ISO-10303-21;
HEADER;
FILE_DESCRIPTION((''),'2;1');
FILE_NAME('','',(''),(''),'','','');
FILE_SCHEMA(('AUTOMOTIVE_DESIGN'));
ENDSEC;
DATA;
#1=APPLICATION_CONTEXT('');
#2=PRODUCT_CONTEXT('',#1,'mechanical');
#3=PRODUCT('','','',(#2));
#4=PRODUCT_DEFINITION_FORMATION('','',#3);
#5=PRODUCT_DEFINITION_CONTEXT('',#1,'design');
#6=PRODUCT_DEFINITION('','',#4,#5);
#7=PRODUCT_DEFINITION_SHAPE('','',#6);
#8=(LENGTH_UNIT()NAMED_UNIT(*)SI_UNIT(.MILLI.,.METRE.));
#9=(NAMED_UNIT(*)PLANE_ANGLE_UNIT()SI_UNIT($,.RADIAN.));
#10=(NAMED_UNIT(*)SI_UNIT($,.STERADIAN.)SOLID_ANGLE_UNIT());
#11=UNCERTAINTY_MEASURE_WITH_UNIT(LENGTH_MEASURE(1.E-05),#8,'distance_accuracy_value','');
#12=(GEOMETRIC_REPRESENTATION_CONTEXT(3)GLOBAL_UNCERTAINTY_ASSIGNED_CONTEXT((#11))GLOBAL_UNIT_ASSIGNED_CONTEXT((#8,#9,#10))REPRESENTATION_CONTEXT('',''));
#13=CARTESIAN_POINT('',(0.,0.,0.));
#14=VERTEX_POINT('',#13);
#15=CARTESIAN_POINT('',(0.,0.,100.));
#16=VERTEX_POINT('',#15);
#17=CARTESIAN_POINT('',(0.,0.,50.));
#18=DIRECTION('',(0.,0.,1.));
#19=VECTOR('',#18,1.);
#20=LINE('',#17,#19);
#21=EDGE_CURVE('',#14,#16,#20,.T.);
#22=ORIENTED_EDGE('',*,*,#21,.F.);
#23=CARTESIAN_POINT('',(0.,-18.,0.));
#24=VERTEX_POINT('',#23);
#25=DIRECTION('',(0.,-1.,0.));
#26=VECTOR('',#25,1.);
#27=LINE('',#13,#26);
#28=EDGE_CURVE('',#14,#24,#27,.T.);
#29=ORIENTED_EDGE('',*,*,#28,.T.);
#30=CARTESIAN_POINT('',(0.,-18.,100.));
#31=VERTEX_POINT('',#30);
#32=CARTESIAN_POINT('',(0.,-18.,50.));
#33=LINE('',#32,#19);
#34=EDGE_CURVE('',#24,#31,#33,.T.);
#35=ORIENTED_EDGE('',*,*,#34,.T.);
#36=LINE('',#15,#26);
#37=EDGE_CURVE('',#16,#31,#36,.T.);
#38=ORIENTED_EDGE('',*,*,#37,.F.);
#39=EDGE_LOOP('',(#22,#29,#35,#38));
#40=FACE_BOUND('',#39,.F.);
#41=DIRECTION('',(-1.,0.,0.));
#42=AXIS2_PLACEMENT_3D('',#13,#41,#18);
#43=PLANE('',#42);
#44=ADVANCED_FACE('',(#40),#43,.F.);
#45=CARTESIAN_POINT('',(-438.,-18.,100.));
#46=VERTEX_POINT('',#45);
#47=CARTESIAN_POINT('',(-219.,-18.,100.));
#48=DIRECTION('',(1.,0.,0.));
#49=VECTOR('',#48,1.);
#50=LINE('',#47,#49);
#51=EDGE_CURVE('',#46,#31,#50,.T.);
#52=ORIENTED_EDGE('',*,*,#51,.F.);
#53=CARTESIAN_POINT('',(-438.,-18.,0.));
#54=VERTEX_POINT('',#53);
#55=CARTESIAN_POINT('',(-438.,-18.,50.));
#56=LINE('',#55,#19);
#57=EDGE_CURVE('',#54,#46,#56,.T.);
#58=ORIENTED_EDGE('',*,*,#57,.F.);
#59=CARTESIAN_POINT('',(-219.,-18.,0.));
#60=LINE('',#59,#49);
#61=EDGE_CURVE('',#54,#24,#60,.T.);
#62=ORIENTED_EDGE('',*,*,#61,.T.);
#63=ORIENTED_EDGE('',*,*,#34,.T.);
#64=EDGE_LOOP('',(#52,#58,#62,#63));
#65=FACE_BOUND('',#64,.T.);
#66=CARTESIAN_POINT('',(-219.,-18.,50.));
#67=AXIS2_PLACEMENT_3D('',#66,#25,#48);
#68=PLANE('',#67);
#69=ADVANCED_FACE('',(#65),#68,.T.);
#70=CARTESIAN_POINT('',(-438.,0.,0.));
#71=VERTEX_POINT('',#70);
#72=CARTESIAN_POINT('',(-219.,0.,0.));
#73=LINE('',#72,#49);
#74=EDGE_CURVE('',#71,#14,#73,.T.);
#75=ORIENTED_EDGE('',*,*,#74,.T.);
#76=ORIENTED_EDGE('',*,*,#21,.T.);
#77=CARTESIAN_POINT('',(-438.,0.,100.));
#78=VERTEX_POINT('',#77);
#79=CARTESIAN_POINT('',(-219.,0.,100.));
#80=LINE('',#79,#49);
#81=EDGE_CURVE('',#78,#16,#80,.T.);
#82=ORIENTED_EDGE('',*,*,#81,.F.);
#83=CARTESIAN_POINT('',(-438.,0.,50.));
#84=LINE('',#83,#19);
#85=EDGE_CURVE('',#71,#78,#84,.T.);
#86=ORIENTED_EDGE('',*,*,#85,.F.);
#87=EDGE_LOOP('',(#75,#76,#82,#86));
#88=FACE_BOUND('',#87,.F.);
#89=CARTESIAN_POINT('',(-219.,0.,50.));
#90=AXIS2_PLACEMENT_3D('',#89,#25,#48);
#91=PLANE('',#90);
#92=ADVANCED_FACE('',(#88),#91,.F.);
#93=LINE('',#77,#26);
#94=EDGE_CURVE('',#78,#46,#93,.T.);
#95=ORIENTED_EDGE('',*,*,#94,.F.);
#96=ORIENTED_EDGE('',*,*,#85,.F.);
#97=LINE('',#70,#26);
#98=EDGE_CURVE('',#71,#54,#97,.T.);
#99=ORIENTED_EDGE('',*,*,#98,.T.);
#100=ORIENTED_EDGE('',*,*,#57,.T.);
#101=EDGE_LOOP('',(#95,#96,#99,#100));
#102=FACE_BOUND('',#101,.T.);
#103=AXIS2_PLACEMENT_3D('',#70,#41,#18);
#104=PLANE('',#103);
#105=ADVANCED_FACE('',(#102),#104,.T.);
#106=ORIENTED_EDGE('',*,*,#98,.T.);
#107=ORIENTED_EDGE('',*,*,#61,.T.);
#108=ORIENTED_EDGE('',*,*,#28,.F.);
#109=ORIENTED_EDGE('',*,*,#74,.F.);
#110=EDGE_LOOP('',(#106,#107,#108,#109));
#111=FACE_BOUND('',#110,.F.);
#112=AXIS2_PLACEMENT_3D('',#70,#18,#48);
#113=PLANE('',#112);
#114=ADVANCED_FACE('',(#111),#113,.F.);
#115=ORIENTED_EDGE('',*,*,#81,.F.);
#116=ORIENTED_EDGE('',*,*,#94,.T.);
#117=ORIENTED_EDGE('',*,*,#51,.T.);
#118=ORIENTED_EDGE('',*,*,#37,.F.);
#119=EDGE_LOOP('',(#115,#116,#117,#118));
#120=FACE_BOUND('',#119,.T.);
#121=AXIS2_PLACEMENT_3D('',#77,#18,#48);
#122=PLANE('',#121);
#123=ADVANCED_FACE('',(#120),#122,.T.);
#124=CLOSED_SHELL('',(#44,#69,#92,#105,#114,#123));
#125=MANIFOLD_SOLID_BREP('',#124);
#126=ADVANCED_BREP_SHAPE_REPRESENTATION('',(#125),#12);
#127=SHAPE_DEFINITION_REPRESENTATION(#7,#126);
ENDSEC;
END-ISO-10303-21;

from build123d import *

# Parameters (mm, degrees)
SKETCH_W  = 438
SKETCH_H  = 100
PAD_DEPTH = 18


with BuildPart() as part:
    # Sketch → Pad (new body)
    with BuildSketch(Plane.XZ):
        with Locations((-219, 50)):
            Rectangle(SKETCH_W, SKETCH_H)
    extrude(amount=PAD_DEPTH)


solid = part.part
